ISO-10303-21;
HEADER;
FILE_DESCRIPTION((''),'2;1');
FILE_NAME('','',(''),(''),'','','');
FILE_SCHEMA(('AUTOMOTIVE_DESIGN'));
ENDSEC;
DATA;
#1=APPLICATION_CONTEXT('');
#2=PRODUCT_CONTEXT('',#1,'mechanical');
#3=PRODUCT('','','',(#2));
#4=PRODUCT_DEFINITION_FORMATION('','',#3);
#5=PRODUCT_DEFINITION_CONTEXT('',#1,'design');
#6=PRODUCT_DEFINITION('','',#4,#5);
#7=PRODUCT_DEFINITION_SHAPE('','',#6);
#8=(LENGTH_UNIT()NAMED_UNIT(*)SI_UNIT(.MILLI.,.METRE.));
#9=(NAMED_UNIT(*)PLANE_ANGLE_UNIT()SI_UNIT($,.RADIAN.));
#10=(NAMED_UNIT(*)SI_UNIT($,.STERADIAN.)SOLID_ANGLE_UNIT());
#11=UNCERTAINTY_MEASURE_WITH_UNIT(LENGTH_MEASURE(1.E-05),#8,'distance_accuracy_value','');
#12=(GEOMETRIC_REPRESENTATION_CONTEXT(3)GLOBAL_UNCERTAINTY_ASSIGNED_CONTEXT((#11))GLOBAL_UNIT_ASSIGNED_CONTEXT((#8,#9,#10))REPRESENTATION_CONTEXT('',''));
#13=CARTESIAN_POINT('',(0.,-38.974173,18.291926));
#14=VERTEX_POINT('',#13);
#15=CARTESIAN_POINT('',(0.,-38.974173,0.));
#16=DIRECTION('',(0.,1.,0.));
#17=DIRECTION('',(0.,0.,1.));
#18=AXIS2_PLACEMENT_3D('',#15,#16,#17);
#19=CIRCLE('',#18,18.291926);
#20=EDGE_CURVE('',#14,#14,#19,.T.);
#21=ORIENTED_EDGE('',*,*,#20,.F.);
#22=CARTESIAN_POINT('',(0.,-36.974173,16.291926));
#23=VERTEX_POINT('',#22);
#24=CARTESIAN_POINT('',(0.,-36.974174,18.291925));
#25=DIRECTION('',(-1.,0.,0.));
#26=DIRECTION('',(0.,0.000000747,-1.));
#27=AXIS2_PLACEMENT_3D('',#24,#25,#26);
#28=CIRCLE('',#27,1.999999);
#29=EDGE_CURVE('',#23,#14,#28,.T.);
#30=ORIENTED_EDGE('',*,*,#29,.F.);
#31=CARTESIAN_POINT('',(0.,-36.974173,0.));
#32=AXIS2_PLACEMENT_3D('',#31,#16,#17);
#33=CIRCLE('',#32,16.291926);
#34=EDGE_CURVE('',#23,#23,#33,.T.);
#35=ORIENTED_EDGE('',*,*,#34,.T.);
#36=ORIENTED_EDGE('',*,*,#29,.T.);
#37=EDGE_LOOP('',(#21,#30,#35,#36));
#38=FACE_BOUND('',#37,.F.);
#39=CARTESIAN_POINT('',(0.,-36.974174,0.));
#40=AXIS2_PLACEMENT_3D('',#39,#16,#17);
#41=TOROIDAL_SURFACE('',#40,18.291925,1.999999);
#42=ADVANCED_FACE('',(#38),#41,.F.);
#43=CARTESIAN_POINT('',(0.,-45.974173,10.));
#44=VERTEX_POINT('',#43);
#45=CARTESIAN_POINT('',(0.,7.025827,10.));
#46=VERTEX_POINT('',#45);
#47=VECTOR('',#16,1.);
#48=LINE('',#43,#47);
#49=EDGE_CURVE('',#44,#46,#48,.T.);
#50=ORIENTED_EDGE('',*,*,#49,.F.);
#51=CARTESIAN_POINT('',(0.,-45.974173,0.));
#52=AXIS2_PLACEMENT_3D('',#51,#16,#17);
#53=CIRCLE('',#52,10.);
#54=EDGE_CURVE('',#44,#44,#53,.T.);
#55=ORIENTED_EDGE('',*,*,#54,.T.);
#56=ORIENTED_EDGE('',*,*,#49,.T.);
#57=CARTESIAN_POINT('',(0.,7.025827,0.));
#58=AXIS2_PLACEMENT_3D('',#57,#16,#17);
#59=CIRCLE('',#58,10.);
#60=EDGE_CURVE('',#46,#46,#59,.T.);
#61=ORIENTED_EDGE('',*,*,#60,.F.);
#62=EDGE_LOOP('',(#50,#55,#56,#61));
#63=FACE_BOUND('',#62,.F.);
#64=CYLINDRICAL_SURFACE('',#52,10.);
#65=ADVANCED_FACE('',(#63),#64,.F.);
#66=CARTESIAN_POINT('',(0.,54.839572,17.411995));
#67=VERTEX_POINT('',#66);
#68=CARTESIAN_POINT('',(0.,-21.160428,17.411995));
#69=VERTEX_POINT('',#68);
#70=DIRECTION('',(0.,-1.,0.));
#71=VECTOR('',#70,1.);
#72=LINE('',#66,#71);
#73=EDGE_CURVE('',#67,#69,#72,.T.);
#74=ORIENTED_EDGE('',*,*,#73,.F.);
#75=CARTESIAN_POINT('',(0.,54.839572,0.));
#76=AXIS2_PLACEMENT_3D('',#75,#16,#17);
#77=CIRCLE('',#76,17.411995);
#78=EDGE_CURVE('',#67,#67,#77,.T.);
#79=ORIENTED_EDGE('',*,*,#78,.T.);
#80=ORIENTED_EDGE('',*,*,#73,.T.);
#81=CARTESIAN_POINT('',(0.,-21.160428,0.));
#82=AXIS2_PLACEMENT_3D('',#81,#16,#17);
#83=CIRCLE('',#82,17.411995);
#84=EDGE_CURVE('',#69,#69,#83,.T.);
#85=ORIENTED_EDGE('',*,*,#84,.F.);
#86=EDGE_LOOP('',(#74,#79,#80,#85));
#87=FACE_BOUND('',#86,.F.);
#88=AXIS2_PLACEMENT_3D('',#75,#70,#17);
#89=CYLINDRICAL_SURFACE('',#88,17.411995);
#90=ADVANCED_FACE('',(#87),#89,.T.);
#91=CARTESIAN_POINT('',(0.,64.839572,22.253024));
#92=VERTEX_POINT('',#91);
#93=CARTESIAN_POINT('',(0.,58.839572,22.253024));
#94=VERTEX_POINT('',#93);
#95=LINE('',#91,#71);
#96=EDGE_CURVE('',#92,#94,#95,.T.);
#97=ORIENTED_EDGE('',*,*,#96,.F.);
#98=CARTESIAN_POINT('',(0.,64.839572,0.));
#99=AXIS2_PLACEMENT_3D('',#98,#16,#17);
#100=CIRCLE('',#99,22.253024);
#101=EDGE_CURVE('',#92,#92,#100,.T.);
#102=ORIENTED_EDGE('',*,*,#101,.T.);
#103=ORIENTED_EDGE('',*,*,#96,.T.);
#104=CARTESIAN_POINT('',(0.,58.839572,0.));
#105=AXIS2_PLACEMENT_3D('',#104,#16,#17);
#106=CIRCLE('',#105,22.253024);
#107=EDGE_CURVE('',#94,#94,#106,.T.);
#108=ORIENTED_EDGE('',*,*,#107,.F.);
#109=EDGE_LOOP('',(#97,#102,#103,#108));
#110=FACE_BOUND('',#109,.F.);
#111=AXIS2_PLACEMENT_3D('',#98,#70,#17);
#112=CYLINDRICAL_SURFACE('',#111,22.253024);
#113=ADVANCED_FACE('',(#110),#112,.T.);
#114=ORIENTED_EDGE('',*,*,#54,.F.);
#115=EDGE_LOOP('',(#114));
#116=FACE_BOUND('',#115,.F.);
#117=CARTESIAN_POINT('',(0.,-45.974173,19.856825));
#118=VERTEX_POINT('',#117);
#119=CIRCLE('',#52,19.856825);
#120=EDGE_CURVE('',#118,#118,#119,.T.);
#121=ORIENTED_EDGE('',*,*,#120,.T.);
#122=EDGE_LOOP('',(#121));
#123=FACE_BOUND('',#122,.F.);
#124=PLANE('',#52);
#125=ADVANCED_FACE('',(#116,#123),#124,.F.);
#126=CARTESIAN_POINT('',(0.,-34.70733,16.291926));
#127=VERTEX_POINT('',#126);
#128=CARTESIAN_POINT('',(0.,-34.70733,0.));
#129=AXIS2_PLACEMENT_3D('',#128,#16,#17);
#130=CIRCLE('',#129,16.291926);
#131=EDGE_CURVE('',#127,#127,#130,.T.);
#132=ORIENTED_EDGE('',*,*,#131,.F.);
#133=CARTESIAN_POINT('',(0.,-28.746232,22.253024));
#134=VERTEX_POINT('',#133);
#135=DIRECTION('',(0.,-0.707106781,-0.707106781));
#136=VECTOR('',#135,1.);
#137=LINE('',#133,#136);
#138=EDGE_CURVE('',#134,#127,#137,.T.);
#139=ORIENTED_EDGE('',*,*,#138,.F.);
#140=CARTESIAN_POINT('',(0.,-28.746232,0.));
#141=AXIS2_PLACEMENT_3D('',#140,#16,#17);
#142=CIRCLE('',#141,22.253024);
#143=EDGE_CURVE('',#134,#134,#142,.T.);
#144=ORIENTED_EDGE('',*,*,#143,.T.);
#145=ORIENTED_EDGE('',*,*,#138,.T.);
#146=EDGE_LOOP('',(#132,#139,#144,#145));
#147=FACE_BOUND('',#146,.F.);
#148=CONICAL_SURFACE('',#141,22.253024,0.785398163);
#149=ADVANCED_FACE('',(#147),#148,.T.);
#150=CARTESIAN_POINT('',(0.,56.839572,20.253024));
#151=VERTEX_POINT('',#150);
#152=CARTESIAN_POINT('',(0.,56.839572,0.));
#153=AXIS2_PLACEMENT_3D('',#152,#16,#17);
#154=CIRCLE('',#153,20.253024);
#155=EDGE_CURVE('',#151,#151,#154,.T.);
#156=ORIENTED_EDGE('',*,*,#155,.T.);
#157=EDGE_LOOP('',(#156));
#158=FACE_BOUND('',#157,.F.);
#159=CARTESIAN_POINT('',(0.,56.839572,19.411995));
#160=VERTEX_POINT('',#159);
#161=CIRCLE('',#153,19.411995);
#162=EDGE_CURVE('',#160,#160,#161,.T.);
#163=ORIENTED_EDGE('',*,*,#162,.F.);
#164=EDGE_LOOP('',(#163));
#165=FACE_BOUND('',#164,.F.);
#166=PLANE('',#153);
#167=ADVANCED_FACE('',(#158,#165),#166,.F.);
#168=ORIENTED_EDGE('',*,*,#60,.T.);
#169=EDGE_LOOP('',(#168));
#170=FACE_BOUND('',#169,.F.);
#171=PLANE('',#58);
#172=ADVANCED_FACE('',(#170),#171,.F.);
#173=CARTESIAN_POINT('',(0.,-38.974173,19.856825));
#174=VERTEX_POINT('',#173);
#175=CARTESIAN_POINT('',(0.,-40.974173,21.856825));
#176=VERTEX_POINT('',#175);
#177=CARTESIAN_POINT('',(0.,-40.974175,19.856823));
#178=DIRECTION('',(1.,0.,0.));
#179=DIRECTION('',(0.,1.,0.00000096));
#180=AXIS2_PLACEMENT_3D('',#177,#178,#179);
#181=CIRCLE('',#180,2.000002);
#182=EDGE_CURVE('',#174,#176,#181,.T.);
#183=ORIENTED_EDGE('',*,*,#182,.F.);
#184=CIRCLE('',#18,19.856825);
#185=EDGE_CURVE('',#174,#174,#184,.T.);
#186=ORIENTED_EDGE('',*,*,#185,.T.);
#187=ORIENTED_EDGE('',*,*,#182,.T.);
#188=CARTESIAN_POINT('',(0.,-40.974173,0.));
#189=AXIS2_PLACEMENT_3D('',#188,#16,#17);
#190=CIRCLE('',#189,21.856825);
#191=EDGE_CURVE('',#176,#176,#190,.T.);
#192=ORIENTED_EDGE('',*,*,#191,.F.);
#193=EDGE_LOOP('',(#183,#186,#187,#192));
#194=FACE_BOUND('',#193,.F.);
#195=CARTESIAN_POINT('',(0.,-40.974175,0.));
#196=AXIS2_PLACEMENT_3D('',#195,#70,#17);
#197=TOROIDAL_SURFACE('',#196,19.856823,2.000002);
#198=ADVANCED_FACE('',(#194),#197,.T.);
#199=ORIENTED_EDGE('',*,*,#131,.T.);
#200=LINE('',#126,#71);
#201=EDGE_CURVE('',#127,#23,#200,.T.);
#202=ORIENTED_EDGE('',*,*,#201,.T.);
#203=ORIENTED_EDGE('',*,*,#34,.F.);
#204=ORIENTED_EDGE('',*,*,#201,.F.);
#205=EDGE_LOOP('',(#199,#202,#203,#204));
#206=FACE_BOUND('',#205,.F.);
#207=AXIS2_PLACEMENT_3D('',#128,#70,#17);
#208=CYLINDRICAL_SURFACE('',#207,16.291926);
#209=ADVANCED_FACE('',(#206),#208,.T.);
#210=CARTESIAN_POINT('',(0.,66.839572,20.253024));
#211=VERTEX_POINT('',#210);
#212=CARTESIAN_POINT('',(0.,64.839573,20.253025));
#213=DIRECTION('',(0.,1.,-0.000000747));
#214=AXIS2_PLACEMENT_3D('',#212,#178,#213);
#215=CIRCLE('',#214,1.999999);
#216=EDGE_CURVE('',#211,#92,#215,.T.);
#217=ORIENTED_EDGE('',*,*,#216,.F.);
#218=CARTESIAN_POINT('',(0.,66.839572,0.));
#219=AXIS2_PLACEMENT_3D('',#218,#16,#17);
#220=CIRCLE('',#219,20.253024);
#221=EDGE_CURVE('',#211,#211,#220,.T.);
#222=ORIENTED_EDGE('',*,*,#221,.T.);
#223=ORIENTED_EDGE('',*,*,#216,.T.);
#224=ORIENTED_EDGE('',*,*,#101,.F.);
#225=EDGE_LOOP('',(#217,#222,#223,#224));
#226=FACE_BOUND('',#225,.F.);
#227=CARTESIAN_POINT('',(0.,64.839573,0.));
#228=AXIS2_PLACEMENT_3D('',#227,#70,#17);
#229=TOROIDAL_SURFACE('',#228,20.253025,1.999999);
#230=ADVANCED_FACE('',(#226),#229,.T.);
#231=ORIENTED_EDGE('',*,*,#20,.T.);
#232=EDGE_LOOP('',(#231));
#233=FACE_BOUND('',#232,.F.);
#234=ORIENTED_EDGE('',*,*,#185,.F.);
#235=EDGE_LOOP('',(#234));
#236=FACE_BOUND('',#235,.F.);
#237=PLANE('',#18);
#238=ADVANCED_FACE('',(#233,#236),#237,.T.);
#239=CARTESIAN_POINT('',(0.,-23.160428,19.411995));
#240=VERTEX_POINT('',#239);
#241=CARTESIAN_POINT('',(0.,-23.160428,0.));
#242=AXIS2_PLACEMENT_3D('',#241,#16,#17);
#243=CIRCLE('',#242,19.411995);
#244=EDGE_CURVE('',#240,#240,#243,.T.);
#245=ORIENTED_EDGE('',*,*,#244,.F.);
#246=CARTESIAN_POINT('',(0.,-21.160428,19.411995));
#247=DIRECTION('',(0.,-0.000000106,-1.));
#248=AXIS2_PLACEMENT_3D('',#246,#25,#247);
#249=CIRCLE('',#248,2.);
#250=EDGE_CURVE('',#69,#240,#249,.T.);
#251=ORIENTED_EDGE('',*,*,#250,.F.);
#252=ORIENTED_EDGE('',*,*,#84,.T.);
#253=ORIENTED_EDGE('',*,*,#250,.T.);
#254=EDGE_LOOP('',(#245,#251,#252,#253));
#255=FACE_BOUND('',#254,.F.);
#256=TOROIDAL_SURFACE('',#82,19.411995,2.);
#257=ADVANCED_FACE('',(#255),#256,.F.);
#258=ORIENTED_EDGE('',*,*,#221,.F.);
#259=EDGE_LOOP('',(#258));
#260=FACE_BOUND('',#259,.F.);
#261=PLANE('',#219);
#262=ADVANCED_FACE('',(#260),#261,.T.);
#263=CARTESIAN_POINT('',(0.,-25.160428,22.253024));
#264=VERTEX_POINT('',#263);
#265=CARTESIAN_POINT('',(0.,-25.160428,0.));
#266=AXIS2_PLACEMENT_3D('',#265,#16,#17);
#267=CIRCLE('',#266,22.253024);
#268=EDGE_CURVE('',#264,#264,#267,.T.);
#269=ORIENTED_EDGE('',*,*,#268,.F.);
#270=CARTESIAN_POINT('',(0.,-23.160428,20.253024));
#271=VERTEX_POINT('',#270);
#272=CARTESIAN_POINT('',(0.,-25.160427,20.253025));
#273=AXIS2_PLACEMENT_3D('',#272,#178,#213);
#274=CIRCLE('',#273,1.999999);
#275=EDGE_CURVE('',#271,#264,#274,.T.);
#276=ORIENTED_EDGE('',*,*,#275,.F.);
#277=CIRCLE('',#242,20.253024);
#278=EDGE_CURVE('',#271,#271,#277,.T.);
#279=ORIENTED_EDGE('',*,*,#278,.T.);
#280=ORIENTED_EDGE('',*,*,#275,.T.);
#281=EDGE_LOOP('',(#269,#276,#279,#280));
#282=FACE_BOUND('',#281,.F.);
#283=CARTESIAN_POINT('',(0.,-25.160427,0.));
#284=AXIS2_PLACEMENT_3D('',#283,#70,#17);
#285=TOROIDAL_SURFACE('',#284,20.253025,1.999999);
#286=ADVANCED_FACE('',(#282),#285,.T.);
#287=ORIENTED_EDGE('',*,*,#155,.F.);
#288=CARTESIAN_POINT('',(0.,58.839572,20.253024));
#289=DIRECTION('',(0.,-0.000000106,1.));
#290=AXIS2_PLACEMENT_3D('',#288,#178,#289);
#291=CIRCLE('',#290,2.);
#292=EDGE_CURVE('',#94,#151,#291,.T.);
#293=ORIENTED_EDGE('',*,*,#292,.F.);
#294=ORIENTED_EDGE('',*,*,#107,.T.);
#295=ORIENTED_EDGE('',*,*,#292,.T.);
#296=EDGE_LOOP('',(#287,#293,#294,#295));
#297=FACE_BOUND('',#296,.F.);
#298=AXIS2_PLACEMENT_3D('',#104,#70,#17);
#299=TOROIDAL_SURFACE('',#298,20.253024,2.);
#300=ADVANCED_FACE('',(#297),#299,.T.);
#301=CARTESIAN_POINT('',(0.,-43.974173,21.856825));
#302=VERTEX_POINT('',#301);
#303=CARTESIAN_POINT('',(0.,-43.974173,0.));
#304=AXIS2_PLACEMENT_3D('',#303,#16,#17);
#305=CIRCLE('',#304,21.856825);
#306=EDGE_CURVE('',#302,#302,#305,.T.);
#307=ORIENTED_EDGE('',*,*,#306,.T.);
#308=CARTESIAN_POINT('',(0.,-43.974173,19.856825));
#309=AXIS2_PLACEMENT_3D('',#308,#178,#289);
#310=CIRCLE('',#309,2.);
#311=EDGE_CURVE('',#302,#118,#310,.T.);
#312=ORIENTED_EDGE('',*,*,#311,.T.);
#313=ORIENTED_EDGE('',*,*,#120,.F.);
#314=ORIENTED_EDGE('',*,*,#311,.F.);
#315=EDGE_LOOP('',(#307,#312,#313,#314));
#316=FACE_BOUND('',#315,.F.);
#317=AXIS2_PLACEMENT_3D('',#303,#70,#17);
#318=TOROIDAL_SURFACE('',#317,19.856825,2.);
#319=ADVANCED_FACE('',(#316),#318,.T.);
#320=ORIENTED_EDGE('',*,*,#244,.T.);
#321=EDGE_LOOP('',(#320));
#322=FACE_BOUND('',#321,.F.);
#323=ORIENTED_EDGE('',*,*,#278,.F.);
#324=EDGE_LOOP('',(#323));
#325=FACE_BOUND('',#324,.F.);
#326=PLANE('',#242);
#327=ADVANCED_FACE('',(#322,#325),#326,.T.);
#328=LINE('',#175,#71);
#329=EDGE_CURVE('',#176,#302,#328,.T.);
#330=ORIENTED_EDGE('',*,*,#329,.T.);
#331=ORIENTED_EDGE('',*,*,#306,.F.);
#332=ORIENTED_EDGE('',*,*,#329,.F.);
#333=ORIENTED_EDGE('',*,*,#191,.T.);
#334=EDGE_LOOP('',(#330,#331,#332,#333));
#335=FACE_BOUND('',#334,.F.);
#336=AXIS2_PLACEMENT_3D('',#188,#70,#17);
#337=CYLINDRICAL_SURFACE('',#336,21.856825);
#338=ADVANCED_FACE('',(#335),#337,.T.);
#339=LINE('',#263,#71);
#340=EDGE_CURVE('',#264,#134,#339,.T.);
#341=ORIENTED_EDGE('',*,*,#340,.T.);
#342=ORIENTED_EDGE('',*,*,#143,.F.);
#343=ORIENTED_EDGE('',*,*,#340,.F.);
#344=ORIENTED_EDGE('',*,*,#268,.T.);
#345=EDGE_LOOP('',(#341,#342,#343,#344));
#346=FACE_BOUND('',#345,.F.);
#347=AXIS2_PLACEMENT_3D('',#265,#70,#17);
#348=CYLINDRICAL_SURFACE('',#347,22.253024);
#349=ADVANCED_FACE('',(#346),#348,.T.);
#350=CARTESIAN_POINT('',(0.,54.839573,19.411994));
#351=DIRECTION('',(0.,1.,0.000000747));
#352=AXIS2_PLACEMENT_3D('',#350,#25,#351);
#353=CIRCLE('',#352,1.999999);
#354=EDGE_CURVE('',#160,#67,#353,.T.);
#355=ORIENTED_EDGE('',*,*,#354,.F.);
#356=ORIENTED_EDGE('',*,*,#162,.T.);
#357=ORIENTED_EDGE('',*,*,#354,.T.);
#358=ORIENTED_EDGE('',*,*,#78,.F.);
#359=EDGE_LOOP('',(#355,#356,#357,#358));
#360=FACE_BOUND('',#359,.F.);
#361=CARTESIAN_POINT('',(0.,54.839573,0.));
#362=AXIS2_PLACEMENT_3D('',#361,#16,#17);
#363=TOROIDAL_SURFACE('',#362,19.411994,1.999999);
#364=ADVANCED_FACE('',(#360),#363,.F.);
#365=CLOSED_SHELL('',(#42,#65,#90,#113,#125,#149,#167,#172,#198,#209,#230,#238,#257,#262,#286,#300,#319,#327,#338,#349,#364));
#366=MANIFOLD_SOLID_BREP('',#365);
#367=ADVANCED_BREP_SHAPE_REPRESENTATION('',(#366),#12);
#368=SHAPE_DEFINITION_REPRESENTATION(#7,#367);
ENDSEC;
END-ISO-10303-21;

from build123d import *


with BuildPart() as f1:
    # F0 (on Right) → F1 (revolve)
    with BuildSketch(Plane.YZ):
        with BuildLine():
            Line((-45.974173, 19.856825), (-45.974173, 10))
            Line((-45.974173, 10), (7.025827, 10))
            Line((7.025827, 10), (7.025827, 0))
            Line((7.025827, 0), (66.839572, 0))
            Line((66.839572, 0), (66.839572, 20.253024))
            ThreePointArc((66.839572, 20.253024), (66.253786, 21.667238), (64.839572, 22.253024))
            Line((64.839572, 22.253024), (58.839572, 22.253024))
            ThreePointArc((58.839572, 22.253024), (57.425359, 21.667238), (56.839572, 20.253024))
            Line((56.839572, 20.253024), (56.839572, 19.411995))
            ThreePointArc((56.839572, 19.411995), (56.253786, 17.997781), (54.839572, 17.411995))
            Line((54.839572, 17.411995), (-21.160428, 17.411995))
            ThreePointArc((-21.160428, 17.411995), (-22.574641, 17.997781), (-23.160428, 19.411995))
            Line((-23.160428, 19.411995), (-23.160428, 20.253024))
            ThreePointArc((-23.160428, 20.253024), (-23.746214, 21.667238), (-25.160428, 22.253024))
            Line((-25.160428, 22.253024), (-28.746232, 22.253024))
            Line((-28.746232, 22.253024), (-34.70733, 16.291926))
            Line((-34.70733, 16.291926), (-36.974173, 16.291926))
            ThreePointArc((-36.974173, 16.291926), (-38.388387, 16.877712), (-38.974173, 18.291926))
            Line((-38.974173, 18.291926), (-38.974173, 19.856825))
            ThreePointArc((-38.974173, 19.856825), (-39.55996, 21.271038), (-40.974173, 21.856825))
            Line((-40.974173, 21.856825), (-43.974173, 21.856825))
            ThreePointArc((-43.974173, 21.856825), (-45.388387, 21.271038), (-45.974173, 19.856825))
        make_face()
    revolve(axis=Axis((0, 34.685813, 0), (0, 1, 0)))


solid = f1.part
